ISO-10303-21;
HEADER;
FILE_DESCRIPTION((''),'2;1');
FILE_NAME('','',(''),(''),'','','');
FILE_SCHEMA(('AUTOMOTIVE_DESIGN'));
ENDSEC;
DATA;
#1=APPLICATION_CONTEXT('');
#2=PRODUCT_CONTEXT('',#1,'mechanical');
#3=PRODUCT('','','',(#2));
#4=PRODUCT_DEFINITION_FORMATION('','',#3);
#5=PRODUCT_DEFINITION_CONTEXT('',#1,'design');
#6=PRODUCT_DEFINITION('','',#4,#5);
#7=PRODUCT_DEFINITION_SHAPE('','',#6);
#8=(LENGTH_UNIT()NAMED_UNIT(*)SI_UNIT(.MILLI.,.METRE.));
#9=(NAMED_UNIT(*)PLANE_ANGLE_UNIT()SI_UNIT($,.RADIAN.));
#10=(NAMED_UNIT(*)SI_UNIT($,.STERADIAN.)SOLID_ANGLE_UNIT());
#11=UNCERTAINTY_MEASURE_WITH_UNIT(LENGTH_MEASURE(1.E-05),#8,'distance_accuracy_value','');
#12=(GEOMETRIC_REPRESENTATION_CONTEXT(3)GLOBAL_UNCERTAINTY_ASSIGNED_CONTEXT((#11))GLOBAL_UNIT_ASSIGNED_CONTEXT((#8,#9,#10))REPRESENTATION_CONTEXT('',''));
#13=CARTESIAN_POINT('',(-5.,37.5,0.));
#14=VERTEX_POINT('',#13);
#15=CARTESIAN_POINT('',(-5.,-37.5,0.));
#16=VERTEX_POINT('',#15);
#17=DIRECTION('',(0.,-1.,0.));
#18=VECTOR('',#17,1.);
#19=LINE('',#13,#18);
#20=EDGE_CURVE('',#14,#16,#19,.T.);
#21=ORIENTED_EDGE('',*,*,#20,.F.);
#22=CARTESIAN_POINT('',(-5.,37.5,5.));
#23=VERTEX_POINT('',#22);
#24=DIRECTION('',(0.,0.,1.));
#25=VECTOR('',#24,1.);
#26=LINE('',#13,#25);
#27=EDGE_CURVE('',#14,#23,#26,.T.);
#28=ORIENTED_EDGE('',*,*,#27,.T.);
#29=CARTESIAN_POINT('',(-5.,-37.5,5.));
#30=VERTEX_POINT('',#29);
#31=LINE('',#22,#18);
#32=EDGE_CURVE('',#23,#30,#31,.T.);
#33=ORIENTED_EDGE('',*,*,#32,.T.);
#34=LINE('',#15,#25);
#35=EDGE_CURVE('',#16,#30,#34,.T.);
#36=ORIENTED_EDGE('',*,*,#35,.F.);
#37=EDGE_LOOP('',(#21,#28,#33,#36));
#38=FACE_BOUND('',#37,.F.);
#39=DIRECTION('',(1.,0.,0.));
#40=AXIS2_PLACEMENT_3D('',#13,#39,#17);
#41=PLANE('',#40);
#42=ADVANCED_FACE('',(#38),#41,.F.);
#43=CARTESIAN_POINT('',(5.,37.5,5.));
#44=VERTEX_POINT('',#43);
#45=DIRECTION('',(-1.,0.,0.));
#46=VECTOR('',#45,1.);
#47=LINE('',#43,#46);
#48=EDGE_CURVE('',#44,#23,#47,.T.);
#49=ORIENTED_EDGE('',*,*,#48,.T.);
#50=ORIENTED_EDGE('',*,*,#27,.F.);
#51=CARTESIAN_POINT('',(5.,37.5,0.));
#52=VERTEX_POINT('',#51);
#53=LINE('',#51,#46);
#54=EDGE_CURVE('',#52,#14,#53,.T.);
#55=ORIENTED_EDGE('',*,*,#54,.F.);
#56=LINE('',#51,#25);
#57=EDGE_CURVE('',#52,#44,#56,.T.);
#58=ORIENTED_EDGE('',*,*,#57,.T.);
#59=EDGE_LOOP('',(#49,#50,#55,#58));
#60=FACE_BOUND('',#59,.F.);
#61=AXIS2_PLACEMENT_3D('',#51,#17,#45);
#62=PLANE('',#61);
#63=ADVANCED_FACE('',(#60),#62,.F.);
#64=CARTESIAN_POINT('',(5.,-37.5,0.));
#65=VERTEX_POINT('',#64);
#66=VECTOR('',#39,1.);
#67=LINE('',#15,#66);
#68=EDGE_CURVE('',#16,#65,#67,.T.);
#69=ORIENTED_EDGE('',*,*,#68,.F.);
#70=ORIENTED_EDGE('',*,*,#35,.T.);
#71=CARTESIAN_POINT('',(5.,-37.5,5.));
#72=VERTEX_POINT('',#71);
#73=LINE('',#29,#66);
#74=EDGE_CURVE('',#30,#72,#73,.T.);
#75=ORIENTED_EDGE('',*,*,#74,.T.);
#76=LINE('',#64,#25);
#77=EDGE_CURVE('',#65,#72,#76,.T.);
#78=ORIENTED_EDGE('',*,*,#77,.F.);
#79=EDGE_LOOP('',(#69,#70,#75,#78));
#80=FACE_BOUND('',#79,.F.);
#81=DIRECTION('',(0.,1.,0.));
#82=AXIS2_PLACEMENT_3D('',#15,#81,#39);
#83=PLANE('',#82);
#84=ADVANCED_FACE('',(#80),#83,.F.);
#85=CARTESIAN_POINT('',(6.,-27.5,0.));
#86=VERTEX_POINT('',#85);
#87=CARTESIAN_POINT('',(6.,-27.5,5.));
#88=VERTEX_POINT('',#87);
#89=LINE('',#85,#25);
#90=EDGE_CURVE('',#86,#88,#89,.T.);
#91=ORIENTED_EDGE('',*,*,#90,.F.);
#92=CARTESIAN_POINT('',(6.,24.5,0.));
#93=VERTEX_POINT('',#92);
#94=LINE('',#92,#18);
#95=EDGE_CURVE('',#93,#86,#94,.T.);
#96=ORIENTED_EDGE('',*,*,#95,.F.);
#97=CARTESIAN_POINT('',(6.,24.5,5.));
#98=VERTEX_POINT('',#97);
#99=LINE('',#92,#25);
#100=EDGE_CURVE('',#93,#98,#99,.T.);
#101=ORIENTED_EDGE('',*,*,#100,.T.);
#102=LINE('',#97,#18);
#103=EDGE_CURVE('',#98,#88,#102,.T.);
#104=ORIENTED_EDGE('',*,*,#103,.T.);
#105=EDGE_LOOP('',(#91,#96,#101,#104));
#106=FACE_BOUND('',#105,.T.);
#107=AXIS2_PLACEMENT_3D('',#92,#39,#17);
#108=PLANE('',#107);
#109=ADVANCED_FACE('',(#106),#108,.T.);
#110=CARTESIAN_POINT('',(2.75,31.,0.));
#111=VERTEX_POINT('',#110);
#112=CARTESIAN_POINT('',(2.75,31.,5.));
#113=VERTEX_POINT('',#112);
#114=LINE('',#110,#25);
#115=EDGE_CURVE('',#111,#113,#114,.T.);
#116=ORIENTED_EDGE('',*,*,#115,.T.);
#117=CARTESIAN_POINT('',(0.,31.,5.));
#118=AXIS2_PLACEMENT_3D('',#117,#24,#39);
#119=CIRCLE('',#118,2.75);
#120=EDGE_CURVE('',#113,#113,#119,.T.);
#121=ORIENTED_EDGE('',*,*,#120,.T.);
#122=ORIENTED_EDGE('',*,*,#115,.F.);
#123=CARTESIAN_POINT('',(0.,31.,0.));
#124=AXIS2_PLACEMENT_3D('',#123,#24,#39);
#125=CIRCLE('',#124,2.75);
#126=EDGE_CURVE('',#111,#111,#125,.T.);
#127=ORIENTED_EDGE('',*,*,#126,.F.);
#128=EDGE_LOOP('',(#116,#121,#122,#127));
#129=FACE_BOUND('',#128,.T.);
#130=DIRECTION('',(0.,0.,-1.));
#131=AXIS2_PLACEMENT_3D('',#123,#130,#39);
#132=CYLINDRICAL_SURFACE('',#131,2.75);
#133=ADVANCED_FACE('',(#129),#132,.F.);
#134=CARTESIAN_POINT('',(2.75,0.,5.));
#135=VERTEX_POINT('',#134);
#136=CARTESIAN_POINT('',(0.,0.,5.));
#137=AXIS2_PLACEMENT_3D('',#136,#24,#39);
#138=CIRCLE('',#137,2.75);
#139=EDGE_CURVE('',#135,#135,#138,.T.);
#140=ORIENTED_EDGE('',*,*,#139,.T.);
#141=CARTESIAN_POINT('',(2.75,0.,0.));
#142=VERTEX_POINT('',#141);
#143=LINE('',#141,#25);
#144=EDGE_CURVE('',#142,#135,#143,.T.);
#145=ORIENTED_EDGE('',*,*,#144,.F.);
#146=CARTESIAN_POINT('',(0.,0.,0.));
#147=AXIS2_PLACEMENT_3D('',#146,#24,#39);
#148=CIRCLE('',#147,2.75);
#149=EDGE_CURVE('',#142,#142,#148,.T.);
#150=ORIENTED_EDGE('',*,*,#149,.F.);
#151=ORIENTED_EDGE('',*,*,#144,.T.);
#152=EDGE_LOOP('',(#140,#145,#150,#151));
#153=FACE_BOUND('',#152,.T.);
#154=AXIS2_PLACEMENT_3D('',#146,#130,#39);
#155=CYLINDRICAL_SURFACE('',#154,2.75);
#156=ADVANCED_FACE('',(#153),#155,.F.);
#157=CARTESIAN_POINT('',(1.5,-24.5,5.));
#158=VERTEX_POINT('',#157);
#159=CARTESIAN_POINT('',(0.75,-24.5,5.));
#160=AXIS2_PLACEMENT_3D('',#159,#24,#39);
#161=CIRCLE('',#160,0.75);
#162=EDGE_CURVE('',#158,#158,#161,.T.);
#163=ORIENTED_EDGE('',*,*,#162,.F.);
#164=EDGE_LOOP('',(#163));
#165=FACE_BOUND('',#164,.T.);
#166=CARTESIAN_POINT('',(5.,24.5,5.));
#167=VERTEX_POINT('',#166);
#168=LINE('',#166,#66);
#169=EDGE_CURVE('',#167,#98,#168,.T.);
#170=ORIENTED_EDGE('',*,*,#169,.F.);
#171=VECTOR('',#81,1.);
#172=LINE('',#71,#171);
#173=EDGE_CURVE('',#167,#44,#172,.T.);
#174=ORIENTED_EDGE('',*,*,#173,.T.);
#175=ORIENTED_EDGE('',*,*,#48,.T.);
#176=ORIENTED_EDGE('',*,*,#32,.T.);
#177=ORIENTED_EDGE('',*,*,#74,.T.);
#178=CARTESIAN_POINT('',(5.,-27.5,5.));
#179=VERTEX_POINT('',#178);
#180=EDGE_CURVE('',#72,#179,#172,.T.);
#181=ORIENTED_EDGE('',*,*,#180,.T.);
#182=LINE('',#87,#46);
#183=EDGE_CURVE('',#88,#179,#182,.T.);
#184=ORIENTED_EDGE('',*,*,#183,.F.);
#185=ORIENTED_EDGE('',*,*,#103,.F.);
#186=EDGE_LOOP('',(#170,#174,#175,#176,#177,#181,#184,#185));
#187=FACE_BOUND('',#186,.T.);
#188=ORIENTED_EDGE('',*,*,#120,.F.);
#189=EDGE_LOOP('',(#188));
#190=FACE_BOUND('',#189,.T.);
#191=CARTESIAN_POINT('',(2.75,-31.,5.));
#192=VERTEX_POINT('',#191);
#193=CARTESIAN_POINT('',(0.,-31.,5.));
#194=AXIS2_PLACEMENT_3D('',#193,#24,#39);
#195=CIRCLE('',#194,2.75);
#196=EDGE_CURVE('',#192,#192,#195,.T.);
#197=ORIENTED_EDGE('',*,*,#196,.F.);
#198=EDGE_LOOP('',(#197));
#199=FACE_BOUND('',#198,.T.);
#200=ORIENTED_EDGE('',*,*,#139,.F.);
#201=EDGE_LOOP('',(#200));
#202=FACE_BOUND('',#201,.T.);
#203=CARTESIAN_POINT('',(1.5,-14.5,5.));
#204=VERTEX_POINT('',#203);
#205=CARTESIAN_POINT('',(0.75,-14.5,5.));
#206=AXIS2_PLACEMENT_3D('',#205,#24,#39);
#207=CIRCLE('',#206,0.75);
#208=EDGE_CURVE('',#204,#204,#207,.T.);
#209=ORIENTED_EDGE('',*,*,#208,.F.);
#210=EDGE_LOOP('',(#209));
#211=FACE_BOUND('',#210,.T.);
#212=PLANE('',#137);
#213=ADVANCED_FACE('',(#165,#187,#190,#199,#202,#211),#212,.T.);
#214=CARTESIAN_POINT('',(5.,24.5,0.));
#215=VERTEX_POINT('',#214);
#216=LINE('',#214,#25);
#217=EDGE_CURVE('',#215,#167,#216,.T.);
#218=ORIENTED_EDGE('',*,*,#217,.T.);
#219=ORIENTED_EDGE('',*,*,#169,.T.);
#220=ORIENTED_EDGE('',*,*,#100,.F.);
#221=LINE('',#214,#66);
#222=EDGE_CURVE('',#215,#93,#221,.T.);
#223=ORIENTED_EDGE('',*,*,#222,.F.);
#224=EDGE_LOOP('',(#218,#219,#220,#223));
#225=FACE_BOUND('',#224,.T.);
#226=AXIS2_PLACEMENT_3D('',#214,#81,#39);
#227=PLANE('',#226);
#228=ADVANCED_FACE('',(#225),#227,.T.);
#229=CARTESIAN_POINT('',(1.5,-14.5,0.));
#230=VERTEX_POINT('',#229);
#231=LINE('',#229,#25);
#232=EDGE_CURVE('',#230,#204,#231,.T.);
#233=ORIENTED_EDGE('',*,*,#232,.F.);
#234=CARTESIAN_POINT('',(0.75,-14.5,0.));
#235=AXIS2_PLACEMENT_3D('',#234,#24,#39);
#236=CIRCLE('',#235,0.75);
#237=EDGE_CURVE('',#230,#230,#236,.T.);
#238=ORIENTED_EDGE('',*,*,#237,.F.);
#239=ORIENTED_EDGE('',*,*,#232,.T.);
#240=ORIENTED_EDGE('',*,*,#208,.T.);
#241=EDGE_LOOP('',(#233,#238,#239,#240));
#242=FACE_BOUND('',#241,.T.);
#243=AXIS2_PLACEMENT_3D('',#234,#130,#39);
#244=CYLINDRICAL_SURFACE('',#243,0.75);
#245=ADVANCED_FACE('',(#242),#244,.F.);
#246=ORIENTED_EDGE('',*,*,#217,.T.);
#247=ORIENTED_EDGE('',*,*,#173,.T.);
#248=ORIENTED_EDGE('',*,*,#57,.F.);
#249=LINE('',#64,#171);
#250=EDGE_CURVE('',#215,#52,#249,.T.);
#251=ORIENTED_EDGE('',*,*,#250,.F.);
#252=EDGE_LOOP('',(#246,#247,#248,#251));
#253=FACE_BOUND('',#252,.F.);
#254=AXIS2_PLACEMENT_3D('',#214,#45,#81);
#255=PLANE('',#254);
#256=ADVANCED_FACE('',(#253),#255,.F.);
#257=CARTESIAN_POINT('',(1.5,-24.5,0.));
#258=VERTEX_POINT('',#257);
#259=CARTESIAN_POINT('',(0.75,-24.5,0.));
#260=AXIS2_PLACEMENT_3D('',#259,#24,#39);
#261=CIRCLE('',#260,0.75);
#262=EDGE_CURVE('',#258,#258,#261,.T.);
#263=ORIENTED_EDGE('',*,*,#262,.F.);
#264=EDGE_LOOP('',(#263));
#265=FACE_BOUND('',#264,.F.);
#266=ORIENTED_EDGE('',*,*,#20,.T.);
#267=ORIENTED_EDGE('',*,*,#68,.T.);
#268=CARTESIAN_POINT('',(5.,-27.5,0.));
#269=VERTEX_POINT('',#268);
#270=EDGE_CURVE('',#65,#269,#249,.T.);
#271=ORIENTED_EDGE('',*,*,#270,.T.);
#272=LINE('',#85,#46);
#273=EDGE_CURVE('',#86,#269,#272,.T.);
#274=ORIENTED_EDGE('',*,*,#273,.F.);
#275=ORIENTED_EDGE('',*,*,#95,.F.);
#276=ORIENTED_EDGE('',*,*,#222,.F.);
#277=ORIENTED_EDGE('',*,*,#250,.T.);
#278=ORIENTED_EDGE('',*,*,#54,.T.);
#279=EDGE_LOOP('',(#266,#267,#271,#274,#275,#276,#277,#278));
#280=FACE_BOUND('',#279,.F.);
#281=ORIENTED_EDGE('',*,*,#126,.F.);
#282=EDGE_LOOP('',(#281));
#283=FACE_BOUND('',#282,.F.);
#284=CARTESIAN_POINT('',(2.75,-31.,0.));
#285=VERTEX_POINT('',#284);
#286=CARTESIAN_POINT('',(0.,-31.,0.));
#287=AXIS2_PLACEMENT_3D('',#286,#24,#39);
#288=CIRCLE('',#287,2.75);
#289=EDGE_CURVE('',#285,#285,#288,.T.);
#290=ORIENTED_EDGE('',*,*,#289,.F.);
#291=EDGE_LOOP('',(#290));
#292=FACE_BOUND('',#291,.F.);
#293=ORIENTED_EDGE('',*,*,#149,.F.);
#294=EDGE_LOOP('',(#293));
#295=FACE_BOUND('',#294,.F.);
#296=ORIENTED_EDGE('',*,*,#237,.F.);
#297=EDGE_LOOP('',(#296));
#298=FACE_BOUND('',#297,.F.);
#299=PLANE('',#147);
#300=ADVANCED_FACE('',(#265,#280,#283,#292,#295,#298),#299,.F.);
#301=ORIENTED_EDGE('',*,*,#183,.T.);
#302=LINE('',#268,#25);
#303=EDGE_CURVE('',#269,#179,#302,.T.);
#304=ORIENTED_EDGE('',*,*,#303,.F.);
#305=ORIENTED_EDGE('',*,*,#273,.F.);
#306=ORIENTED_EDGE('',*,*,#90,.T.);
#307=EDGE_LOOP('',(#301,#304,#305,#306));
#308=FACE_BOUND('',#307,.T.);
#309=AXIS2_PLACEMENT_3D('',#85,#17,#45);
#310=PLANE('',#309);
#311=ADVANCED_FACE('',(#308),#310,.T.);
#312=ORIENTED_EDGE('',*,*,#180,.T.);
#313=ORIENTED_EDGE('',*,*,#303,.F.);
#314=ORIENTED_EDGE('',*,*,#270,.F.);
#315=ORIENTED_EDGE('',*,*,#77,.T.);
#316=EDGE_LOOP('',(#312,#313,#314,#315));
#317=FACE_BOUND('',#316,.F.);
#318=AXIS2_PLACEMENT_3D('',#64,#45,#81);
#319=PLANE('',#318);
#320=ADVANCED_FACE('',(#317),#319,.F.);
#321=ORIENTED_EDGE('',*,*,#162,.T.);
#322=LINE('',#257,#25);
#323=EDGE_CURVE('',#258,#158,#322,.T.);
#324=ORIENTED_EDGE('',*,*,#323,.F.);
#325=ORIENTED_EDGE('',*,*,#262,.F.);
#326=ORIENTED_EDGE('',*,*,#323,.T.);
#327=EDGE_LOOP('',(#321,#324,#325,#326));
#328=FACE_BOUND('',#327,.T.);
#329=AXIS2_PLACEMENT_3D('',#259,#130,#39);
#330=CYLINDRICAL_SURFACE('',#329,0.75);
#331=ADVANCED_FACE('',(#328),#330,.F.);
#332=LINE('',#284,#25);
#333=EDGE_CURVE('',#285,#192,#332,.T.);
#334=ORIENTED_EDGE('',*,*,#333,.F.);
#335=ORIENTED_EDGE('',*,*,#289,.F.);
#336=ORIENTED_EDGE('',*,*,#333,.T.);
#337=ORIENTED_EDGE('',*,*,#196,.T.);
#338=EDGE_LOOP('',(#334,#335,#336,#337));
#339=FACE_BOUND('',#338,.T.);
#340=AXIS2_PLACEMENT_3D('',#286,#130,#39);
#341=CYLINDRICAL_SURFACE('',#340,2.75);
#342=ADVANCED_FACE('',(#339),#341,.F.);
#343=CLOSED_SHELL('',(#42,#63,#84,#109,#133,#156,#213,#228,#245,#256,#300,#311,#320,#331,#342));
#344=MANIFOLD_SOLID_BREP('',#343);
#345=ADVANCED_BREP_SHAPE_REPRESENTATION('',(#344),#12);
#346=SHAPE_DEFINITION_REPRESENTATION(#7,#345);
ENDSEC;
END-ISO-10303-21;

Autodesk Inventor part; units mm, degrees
ref_plane "YZ Plane" through (0, 0, 0) normal (1, 0, 0) x (0, 1, 0)
ref_plane "XZ Plane" through (0, 0, 0) normal (0, 1, 0) x (-1, 0, 0)
ref_plane "XY Plane" through (0, 0, 0) normal (0, 0, 1) x (1, 0, 0)
sketch "Szkic1" plane through (0, 0, 0) normal (0, 0, 1) x (1, 0, 0)
  line L0 (-5, -37.5) -> (5, -37.5)
  line L1 (5, -37.5) -> (5, 37.5)
  line L2 (5, 37.5) -> (-5, 37.5)
  line L3 (-5, 37.5) -> (-5, -37.5)
  line L4 (-5, -37.5) -> (5, 37.5) construction
  line L5 (5, -37.5) -> (-5, 37.5) construction
  circle A0 centre (0, 31) radius 2.75
  circle A1 centre (0, -31) radius 2.75
  line L6 (6, -27.5) -> (5, -27.5)
  line L7 (5, -27.5) -> (5, 24.5)
  line L8 (5, 24.5) -> (6, 24.5)
  line L9 (6, 24.5) -> (6, -27.5)
  line L10 (6, -27.5) -> (5, 24.5) construction
  line L11 (5, -27.5) -> (6, 24.5) construction
  circle A2 centre (0.75, -24.5) radius 0.75
  circle A3 centre (0.75, -14.5) radius 0.75
  line L12 (-1.5, -13.201) -> (0.75, -11.9019)
  line L13 (0.75, -11.9019) -> (3, -13.201)
  line L14 (3, -13.201) -> (3, -15.799)
  line L15 (3, -15.799) -> (0.75, -17.0981)
  line L16 (0.75, -17.0981) -> (-1.5, -15.799)
  line L17 (-1.5, -15.799) -> (-1.5, -13.201)
  line L18 (-1.5, -23.201) -> (0.75, -21.9019)
  line L19 (0.75, -21.9019) -> (3, -23.201)
  line L20 (3, -23.201) -> (3, -25.799)
  line L21 (3, -25.799) -> (0.75, -27.0981)
  line L22 (0.75, -27.0981) -> (-1.5, -25.799)
  line L23 (-1.5, -25.799) -> (-1.5, -23.201)
  circle A4 centre (0, 0) radius 2.75
  point P0 (0, 0)
  point P1 (5.5, -1.5)
  point P2 (5, -27.5)
  dimension "d0" = 75
  dimension "d1" = 10
  dimension "d2" = 5.5
  dimension "d3" = 31
  dimension "d4" = 31
  dimension "d5" = 10
  dimension "d6" = 13
  dimension "d7" = 1
  dimension "d10" = 1.5
  dimension "d11" = 1.5
  dimension "d12" = 3
  dimension "d13" = 10
  dimension "d15" = 4.5
  dimension "d16" = 4.5
  dimension "d17" = 3
  dimension "d20" = 5.5
extrude "Wyciągnięcie proste1" add sketch "Szkic1" along normal blind 5 contours L3 L2 L1 L0 | L1 L8 L9 L6 | L12 L13 L14 L15 L16 L17 | L18 L19 L20 L21 L22 L23
equation "\"d4\" = d3"
properties part number "Z_endstop_mount" material "Tworzywo sztuczne ABS"
